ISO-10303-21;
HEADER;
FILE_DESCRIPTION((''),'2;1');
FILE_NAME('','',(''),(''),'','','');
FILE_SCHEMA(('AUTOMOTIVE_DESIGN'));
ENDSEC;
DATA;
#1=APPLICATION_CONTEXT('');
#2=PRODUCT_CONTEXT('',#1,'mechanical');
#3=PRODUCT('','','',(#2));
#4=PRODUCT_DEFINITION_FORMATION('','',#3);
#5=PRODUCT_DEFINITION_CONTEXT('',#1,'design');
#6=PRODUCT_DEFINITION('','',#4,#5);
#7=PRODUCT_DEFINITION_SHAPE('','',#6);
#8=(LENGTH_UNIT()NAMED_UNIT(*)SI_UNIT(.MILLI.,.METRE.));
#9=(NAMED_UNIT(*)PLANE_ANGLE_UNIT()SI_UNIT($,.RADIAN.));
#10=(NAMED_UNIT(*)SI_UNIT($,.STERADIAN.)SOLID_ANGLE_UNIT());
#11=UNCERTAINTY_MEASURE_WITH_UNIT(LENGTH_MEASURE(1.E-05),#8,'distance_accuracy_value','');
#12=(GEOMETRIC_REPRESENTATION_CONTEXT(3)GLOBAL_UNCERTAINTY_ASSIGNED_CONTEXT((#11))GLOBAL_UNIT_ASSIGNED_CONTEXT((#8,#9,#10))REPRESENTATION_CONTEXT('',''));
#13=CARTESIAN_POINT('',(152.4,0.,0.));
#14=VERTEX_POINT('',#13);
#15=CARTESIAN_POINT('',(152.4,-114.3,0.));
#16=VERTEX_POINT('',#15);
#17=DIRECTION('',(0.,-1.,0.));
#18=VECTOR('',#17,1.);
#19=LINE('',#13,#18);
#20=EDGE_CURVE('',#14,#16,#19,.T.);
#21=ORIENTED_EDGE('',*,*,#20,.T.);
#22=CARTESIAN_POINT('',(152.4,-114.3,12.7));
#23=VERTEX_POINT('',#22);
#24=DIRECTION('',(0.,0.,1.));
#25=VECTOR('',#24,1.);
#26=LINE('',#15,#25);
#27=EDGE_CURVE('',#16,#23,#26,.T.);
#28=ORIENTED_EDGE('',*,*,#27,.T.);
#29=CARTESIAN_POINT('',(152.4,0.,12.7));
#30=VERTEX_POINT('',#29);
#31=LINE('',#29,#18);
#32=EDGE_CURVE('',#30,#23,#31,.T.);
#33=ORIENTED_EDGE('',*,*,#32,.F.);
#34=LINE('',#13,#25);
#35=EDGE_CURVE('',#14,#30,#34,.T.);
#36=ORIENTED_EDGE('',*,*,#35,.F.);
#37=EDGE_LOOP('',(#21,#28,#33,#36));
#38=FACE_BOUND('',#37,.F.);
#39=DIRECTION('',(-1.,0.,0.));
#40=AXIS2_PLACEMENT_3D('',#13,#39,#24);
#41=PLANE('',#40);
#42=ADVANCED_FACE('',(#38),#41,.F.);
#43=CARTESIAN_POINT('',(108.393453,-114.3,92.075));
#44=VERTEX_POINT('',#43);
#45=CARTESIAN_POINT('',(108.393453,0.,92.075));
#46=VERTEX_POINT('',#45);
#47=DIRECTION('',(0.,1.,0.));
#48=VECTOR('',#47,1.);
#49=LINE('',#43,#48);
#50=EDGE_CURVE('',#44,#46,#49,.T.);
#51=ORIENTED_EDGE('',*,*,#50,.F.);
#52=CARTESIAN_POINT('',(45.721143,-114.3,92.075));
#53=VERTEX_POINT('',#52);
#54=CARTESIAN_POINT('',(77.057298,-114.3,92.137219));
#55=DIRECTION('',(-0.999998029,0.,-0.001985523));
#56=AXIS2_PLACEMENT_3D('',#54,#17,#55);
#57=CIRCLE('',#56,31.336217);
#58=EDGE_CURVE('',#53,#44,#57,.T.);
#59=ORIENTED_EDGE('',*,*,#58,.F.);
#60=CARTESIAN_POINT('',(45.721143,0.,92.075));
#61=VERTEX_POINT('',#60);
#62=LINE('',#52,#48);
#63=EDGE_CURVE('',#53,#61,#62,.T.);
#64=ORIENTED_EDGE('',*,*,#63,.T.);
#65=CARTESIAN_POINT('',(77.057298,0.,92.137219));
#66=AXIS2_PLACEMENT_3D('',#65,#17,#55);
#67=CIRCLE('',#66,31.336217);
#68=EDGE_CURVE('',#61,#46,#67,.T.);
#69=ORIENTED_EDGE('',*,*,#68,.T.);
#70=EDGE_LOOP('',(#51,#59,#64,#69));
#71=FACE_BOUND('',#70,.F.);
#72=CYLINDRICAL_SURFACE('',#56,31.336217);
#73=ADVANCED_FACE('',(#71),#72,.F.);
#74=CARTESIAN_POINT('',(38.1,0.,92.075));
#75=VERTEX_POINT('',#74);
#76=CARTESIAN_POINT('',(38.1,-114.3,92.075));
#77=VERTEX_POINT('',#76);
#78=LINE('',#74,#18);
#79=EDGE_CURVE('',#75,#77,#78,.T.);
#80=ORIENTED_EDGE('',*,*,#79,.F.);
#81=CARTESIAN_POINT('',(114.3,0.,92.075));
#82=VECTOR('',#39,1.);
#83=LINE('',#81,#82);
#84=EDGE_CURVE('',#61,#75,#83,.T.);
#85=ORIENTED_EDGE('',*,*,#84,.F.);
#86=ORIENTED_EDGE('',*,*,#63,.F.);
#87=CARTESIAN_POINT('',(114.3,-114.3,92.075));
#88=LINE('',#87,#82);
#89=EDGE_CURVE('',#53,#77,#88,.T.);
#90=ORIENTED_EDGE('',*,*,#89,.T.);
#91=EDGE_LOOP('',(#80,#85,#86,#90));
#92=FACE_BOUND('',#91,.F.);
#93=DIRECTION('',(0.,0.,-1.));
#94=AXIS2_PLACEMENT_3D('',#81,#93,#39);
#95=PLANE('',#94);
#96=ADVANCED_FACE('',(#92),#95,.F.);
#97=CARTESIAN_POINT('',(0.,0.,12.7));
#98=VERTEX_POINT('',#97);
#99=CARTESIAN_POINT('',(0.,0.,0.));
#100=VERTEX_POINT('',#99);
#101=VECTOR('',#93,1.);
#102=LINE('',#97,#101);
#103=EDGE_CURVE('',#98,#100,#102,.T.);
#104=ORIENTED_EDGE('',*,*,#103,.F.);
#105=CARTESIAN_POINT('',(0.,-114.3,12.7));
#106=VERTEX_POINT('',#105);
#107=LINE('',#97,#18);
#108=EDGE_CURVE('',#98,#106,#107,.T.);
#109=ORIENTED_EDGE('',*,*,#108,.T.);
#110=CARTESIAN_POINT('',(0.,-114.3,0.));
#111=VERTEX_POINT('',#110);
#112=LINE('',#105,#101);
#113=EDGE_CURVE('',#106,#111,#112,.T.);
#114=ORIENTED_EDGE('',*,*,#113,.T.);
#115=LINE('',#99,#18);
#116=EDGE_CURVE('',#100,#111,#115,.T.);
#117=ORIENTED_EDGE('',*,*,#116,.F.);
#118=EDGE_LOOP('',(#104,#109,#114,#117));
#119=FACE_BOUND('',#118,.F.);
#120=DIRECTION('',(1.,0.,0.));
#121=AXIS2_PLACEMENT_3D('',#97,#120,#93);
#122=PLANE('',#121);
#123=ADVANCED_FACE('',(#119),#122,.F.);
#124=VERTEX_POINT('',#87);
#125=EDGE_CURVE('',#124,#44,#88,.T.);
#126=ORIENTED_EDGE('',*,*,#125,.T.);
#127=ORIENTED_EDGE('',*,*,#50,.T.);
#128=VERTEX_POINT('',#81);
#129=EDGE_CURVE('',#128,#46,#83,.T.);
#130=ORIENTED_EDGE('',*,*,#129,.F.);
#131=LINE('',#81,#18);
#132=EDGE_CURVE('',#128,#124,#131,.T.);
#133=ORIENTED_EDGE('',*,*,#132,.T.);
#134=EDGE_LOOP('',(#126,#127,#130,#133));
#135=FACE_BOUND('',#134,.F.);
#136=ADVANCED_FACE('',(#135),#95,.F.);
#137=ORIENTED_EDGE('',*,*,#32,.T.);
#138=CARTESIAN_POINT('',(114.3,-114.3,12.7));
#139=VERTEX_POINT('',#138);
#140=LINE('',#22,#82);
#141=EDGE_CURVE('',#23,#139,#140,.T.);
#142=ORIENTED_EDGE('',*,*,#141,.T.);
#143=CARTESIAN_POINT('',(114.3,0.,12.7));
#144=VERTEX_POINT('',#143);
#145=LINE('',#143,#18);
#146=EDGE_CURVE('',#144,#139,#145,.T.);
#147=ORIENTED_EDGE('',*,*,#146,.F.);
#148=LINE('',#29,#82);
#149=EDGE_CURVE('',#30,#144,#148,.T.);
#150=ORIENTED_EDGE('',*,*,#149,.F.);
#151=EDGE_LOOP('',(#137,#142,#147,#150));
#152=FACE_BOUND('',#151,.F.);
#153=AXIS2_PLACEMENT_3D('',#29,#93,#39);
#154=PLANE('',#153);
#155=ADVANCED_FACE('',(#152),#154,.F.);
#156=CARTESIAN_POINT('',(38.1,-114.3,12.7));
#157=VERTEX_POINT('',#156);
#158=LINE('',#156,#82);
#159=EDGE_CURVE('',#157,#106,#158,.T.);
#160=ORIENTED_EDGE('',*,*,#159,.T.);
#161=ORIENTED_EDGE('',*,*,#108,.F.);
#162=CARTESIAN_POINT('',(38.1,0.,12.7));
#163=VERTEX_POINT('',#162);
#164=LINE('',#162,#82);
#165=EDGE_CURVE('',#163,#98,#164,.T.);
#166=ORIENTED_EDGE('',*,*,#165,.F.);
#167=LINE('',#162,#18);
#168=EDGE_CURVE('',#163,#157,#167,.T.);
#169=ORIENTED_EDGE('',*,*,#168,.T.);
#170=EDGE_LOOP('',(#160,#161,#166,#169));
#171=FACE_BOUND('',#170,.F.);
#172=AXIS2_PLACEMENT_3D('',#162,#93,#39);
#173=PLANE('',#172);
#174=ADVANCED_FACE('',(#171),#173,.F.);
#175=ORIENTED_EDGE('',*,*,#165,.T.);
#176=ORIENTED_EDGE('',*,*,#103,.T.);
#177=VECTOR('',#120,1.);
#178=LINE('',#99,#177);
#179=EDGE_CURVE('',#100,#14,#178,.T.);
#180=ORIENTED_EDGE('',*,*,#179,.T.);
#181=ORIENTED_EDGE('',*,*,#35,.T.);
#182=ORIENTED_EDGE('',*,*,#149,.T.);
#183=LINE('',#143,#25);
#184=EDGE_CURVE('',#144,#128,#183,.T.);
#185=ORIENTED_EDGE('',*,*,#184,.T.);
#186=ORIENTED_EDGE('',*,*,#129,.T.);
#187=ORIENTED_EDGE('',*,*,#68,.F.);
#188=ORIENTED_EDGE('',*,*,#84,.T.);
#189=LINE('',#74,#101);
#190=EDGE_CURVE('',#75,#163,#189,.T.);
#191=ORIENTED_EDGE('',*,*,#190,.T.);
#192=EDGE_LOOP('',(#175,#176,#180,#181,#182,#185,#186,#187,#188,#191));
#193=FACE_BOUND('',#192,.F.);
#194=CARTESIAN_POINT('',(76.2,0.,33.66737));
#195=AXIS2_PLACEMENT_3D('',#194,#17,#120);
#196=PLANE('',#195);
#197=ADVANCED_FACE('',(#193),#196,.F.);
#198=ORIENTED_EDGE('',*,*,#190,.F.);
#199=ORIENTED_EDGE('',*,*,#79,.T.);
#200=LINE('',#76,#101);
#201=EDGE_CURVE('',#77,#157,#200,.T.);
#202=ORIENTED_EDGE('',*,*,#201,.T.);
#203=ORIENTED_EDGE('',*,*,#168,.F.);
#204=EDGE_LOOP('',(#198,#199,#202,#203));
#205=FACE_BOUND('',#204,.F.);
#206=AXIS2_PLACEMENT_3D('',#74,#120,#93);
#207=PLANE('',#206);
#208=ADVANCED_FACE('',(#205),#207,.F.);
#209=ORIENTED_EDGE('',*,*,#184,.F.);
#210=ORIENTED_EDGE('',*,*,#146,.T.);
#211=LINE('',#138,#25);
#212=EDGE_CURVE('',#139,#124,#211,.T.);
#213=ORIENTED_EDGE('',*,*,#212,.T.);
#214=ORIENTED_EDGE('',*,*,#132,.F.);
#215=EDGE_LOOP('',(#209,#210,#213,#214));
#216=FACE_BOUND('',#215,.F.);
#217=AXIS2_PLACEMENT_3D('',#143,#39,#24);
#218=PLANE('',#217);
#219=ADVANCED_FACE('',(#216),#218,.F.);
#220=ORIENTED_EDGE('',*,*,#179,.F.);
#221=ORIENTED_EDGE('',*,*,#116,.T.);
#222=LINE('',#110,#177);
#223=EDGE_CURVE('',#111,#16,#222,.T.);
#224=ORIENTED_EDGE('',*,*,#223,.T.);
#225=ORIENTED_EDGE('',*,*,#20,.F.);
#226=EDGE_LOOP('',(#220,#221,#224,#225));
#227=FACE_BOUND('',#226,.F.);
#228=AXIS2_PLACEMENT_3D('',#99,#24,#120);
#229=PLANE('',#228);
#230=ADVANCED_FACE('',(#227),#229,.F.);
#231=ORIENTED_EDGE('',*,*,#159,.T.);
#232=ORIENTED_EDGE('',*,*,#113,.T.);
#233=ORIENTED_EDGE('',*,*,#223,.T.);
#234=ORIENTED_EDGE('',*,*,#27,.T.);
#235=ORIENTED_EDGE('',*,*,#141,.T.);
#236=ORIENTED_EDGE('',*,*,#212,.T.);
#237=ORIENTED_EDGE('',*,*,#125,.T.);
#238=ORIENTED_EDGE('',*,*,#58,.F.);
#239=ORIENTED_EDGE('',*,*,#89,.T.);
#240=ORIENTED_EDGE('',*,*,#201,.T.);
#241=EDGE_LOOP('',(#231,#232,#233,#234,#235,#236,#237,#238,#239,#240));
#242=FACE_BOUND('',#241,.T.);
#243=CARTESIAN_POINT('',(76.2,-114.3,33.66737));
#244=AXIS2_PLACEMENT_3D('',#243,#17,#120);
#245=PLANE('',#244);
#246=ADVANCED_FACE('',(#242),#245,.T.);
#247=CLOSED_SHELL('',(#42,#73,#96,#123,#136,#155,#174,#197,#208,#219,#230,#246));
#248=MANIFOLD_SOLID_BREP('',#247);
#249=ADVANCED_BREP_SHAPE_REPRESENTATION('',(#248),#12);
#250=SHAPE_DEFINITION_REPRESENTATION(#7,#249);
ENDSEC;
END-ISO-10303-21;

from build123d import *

# Parameters (mm, degrees)
F1_DEPTH = 114.3
F3_DEPTH = 114.3


with BuildPart() as f1:
    # F0 (on Front) → F1 (new body)
    with BuildSketch(Plane.XZ):
        Polygon((0, 12.7), (0, 0), (152.4, 0), (152.4, 12.7), (114.3, 12.7), (114.3, 92.075), (38.1, 92.075), (38.1, 12.7), align=None)
    extrude(amount=F1_DEPTH)

    # F2 (on face) → F3 (cut, through all)
    with BuildSketch(Plane.XZ.offset(114.3)):
        with BuildLine():
            Line((108.393453, 92.075), (45.721143, 92.075))
            ThreePointArc((45.721143, 92.075), (77.057298, 60.801002), (108.393453, 92.075))
        make_face()
    extrude(amount=-F3_DEPTH, mode=Mode.SUBTRACT)


solid = f1.part
